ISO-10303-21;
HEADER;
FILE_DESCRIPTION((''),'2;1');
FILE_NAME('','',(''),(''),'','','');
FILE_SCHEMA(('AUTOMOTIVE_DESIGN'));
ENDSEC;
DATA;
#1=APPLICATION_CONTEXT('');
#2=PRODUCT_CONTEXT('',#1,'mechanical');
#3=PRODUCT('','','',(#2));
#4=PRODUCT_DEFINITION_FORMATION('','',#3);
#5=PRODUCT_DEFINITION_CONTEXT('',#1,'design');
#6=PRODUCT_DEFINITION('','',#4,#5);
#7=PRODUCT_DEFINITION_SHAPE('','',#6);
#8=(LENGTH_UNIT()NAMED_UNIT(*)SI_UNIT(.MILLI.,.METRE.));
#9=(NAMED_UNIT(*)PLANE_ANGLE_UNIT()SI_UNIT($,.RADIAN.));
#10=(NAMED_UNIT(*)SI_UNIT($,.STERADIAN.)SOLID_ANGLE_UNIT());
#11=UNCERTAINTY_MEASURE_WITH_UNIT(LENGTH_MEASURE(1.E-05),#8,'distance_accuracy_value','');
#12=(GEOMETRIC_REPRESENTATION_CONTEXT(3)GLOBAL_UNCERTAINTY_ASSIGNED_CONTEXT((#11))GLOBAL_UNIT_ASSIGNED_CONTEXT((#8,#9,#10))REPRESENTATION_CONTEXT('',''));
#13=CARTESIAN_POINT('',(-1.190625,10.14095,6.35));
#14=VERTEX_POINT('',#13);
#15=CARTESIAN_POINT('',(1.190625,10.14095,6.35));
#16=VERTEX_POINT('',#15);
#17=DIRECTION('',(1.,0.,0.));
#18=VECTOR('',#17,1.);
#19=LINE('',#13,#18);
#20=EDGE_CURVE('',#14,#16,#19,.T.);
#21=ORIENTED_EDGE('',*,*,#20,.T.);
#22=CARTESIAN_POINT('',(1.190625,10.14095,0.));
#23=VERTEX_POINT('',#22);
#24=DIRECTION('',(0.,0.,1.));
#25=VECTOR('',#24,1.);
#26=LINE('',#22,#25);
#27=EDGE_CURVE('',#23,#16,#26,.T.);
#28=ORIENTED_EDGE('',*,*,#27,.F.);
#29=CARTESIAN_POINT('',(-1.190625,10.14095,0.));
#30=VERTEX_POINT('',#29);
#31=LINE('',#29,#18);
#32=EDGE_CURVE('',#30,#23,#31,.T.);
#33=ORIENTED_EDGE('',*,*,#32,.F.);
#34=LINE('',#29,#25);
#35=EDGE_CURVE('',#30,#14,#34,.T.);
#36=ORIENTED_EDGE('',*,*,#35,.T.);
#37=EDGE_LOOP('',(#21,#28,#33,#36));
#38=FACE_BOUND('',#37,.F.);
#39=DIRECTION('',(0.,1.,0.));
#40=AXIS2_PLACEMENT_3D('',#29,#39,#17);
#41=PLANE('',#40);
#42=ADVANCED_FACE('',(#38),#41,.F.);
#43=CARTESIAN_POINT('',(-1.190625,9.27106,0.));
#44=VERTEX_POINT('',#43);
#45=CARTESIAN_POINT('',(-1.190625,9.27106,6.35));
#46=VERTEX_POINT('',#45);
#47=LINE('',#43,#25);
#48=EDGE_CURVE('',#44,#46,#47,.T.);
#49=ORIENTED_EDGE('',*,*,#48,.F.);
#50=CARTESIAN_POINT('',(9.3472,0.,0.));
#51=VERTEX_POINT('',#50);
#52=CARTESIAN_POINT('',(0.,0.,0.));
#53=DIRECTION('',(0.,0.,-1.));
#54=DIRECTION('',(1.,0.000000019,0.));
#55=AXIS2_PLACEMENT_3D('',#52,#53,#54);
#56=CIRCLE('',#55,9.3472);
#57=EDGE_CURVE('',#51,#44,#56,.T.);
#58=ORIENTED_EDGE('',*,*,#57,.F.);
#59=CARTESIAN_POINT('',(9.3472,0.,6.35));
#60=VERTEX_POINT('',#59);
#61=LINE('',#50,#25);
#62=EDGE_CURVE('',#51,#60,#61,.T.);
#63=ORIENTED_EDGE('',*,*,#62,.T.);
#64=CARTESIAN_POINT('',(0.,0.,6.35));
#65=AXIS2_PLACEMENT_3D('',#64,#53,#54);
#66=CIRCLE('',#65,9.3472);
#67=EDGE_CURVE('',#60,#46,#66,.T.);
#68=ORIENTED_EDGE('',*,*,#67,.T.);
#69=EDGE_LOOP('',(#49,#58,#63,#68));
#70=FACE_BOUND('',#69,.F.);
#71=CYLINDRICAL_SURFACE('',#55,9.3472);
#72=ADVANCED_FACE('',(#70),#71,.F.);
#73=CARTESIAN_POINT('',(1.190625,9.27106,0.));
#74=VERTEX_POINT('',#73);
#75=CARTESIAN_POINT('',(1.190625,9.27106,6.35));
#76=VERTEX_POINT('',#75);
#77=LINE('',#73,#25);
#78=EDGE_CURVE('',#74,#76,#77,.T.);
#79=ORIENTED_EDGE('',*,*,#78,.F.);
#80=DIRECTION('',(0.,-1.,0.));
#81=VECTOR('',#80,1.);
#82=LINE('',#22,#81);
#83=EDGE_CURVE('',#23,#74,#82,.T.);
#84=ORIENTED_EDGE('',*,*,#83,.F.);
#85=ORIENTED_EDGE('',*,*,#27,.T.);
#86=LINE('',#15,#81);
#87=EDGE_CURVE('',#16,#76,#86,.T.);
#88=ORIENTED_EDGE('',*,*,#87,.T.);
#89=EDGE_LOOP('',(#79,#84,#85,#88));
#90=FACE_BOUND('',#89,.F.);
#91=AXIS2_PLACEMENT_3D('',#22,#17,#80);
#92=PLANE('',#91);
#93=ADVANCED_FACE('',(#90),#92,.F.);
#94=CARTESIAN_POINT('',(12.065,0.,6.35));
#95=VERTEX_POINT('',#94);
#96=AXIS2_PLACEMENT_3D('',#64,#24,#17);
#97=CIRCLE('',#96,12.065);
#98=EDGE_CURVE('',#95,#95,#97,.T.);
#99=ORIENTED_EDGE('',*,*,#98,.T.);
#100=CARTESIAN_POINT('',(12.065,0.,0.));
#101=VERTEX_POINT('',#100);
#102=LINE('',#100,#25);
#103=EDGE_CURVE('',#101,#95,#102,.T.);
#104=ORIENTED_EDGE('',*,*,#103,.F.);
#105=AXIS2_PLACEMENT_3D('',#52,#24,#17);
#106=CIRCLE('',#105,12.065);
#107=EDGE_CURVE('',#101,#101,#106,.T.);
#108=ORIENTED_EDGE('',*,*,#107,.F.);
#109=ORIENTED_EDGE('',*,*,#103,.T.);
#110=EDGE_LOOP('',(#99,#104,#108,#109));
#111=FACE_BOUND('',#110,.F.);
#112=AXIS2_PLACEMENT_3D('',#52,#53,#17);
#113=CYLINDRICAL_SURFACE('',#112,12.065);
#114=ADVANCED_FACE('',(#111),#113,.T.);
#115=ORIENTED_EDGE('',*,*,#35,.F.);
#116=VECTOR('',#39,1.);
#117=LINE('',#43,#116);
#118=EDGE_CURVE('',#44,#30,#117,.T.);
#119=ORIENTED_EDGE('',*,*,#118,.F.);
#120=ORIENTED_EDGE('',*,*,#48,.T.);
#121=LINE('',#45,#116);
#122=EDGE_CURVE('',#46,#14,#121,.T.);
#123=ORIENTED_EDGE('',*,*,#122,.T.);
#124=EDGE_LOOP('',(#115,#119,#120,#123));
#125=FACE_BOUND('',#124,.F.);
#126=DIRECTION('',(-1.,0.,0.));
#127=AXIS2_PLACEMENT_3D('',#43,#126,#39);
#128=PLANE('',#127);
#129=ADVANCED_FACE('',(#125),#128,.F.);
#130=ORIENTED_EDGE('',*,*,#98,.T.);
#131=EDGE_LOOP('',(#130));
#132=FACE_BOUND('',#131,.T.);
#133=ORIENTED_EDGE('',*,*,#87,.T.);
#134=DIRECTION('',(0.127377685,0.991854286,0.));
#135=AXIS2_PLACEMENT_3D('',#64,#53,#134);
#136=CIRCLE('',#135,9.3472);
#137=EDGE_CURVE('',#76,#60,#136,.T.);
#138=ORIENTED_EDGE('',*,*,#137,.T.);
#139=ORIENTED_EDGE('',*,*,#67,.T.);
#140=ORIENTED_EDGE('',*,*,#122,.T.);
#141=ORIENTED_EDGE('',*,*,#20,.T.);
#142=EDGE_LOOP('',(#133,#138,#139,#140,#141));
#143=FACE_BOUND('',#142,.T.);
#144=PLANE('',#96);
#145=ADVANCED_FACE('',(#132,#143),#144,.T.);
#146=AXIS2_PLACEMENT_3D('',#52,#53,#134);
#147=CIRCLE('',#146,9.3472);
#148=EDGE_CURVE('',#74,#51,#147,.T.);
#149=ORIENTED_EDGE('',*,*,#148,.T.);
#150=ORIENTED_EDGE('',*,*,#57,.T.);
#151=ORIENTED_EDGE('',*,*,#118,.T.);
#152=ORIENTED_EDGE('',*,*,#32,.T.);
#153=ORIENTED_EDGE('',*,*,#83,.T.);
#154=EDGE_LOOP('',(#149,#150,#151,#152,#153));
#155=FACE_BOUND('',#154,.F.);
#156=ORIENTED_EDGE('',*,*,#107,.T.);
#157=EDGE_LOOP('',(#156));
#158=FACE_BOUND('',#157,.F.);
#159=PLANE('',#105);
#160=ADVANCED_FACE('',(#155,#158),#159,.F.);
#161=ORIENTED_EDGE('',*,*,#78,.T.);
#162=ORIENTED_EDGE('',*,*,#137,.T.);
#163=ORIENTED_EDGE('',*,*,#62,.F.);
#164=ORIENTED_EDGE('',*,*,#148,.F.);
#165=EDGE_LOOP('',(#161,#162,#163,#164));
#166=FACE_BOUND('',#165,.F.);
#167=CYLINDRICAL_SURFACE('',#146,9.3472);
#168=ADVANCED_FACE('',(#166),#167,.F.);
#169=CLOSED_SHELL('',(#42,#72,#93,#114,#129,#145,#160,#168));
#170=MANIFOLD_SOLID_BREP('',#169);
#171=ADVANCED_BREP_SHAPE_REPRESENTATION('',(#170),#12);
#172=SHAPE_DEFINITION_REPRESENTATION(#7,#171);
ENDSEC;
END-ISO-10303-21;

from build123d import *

# Parameters (mm, degrees)
F0_R     = 12.065
F1_DEPTH = 6.35


with BuildPart() as f1:
    # F0 (on Top) → F1 (new body)
    with BuildSketch(Plane.XY):
        Circle(F0_R)
        with BuildLine():
            ThreePointArc((1.190625, 9.27106), (7.017804, 6.174186), (9.3472, 0))
            ThreePointArc((9.3472, 0), (-6.174186, -7.017804), (-1.190625, 9.27106))
            Line((-1.190625, 9.27106), (-1.190625, 10.14095))
            Line((-1.190625, 10.14095), (1.190625, 10.14095))
            Line((1.190625, 10.14095), (1.190625, 9.27106))
        make_face(mode=Mode.SUBTRACT)
    extrude(amount=F1_DEPTH)


solid = f1.part
